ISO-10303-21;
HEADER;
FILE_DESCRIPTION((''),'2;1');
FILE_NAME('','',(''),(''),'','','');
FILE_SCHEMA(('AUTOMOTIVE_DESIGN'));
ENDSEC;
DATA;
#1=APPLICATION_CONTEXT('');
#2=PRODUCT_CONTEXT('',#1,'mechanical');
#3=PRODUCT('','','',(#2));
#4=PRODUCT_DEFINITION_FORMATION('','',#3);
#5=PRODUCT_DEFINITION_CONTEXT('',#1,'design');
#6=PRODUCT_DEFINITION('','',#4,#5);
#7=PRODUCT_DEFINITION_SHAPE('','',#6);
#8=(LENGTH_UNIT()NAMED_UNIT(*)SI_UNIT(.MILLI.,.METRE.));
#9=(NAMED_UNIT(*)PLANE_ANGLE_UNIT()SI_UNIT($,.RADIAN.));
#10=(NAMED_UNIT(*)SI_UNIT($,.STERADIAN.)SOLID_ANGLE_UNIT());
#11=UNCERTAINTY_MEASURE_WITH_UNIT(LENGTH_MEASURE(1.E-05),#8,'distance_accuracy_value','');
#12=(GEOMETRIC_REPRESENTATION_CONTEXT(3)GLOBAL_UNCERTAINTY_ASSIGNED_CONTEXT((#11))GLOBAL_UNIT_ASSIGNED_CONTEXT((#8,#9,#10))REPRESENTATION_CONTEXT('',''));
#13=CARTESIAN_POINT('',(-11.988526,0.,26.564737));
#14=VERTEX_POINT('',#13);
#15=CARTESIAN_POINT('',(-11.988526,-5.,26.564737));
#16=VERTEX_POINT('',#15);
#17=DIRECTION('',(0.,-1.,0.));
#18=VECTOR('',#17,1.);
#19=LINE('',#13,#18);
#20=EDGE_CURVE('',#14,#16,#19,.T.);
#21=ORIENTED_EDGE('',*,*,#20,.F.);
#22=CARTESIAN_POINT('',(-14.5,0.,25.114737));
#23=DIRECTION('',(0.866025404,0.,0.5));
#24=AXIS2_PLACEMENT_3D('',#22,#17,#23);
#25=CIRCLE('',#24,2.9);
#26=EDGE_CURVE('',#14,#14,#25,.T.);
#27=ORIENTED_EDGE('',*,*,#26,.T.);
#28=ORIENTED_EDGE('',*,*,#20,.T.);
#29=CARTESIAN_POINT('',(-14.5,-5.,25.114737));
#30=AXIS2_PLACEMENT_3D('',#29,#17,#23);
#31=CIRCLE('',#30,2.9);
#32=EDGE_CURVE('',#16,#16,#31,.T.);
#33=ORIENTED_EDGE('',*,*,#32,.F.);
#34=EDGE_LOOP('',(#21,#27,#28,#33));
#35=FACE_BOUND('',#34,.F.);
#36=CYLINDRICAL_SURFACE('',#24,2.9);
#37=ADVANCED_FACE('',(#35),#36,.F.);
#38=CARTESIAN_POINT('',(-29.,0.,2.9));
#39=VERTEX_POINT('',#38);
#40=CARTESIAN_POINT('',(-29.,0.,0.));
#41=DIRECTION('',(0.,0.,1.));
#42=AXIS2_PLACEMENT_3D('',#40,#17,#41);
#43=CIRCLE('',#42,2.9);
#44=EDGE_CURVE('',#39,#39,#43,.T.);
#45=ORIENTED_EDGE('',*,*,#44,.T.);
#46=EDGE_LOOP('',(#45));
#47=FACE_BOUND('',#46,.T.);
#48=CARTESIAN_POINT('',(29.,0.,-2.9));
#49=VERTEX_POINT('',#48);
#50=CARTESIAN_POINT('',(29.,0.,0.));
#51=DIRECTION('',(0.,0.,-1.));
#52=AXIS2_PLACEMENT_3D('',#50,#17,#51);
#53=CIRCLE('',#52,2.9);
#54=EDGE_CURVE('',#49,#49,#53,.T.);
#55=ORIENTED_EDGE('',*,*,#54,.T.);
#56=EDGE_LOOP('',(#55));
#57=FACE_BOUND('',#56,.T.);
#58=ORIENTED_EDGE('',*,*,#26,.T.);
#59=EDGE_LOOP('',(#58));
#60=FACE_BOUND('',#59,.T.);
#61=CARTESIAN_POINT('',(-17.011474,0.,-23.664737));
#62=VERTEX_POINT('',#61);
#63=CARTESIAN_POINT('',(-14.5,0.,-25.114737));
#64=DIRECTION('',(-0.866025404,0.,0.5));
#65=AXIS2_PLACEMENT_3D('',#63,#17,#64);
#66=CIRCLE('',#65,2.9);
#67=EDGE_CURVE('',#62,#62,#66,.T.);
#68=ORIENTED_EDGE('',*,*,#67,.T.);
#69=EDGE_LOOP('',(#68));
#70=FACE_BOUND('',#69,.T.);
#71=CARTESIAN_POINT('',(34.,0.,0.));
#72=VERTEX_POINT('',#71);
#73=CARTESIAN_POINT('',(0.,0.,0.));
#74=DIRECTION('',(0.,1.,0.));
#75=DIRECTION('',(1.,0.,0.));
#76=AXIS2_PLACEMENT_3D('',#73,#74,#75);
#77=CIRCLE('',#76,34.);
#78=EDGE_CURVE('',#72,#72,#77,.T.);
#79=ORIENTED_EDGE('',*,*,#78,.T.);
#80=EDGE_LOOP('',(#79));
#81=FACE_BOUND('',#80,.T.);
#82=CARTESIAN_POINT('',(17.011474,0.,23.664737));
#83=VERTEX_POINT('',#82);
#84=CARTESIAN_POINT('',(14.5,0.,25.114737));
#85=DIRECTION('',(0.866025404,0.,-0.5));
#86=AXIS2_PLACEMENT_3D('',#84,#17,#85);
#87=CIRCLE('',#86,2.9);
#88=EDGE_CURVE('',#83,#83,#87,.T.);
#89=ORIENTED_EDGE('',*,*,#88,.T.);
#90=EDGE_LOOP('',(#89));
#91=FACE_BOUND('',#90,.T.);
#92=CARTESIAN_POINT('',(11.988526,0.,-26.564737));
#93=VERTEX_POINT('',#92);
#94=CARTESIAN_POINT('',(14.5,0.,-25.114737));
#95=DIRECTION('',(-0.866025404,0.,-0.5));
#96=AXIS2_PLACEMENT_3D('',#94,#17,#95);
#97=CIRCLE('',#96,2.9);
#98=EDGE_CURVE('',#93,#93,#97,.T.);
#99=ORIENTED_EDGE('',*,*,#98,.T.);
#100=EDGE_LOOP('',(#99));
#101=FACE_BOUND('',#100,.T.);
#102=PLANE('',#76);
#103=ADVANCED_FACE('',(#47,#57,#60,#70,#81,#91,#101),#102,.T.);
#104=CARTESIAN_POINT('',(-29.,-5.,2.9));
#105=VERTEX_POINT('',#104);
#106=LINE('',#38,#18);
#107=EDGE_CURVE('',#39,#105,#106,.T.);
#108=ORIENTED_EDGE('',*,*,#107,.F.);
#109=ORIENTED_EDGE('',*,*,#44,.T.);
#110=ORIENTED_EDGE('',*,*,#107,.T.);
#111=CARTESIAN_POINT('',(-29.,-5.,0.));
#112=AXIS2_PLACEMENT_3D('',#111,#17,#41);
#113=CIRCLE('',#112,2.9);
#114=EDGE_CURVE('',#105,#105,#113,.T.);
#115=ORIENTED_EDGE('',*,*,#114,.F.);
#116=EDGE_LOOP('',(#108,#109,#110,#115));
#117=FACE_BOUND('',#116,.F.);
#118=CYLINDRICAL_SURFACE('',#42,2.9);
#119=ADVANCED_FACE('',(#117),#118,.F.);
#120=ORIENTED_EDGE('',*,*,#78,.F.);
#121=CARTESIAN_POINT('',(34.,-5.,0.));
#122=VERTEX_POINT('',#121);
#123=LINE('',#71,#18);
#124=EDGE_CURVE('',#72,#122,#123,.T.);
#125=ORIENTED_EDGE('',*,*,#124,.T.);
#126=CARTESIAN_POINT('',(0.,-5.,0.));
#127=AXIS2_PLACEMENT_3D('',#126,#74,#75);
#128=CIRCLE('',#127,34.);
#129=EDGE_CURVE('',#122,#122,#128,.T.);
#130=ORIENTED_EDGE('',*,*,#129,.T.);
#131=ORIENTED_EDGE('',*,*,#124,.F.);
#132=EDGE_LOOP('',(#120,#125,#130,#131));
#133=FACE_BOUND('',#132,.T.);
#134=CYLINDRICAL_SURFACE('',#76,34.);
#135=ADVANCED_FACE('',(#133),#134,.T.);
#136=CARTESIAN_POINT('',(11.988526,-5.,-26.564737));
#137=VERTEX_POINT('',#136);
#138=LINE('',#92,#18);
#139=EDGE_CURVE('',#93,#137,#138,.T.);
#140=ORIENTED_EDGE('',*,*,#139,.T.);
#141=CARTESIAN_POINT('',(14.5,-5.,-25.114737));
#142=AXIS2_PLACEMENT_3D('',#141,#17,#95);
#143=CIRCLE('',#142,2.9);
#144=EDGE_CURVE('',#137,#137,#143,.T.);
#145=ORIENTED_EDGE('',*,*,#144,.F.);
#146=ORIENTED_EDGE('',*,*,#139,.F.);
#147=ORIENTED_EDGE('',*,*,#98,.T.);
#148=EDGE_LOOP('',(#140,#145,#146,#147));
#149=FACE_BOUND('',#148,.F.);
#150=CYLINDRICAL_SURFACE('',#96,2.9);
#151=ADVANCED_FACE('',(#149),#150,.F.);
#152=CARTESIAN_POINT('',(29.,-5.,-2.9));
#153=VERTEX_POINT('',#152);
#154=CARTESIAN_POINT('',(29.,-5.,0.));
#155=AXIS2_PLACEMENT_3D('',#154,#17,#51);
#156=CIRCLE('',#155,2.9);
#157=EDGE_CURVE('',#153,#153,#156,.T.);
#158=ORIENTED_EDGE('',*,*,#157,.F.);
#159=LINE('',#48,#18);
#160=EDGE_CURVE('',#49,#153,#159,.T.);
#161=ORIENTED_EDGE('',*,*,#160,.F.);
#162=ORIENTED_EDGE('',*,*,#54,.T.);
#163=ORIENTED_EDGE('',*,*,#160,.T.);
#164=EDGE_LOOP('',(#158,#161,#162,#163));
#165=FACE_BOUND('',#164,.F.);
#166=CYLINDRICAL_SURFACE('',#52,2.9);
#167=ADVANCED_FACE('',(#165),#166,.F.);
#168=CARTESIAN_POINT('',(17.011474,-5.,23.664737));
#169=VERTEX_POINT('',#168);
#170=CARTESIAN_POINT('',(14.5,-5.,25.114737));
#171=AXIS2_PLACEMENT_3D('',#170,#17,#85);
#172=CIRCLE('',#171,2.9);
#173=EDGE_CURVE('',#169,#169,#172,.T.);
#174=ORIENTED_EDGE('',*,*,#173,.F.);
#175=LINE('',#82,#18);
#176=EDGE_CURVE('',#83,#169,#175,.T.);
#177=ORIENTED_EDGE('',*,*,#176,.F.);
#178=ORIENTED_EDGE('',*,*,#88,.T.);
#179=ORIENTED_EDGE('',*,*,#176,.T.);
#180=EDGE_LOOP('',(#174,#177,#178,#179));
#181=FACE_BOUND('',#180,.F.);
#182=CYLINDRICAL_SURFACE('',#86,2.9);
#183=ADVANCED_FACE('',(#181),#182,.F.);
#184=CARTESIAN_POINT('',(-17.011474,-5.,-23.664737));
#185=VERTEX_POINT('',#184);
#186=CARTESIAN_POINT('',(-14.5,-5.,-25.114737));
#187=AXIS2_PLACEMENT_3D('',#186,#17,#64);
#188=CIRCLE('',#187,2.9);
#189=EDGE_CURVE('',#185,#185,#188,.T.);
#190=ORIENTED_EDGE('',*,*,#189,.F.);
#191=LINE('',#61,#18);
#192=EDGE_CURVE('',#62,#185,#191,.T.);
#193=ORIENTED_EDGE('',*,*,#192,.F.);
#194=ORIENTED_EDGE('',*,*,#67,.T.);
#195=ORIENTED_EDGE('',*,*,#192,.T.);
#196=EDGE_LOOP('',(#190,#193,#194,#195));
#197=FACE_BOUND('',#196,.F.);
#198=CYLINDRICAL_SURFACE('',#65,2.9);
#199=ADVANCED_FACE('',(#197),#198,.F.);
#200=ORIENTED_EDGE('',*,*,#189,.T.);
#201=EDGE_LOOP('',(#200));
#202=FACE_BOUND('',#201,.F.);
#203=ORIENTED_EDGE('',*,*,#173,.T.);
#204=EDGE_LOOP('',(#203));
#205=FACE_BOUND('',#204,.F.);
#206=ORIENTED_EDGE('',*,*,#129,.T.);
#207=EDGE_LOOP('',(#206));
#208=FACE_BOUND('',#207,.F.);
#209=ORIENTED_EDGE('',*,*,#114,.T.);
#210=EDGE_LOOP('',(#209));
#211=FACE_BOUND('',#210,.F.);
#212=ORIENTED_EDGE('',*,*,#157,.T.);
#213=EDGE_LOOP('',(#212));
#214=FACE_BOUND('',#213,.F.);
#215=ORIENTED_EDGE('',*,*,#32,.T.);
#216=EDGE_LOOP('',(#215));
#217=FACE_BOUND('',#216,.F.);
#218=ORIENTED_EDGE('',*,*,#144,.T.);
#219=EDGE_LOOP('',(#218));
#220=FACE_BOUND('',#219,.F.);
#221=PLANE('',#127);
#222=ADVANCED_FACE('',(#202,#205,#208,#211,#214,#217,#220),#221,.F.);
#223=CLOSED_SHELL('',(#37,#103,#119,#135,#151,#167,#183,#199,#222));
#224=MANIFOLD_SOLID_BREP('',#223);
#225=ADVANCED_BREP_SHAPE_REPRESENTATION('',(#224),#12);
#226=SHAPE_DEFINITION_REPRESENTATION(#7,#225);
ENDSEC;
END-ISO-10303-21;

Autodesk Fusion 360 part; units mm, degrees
sketch "Sketch1" plane through (0, 0, 0) normal (0, 1, 0) x (1, 0, 0)
  circle A0 centre (0, 0) radius 34
  circle A1 centre (0, 0) radius 29 construction
  point P0 (-29, 0)
  dimension "d1" = 68
  dimension "d2" = 58
extrude "Extrude1" add sketch "Sketch1" against normal blind 5
hole "Hole1" at (-29, 0, 0) direction (0, -1, 0) diameter 5.8 end through all
pattern_circular "C-Pattern1" count 6 over 360 about axis through (0, 1.75, 0) along (0, 1, 0) of "Hole1"
